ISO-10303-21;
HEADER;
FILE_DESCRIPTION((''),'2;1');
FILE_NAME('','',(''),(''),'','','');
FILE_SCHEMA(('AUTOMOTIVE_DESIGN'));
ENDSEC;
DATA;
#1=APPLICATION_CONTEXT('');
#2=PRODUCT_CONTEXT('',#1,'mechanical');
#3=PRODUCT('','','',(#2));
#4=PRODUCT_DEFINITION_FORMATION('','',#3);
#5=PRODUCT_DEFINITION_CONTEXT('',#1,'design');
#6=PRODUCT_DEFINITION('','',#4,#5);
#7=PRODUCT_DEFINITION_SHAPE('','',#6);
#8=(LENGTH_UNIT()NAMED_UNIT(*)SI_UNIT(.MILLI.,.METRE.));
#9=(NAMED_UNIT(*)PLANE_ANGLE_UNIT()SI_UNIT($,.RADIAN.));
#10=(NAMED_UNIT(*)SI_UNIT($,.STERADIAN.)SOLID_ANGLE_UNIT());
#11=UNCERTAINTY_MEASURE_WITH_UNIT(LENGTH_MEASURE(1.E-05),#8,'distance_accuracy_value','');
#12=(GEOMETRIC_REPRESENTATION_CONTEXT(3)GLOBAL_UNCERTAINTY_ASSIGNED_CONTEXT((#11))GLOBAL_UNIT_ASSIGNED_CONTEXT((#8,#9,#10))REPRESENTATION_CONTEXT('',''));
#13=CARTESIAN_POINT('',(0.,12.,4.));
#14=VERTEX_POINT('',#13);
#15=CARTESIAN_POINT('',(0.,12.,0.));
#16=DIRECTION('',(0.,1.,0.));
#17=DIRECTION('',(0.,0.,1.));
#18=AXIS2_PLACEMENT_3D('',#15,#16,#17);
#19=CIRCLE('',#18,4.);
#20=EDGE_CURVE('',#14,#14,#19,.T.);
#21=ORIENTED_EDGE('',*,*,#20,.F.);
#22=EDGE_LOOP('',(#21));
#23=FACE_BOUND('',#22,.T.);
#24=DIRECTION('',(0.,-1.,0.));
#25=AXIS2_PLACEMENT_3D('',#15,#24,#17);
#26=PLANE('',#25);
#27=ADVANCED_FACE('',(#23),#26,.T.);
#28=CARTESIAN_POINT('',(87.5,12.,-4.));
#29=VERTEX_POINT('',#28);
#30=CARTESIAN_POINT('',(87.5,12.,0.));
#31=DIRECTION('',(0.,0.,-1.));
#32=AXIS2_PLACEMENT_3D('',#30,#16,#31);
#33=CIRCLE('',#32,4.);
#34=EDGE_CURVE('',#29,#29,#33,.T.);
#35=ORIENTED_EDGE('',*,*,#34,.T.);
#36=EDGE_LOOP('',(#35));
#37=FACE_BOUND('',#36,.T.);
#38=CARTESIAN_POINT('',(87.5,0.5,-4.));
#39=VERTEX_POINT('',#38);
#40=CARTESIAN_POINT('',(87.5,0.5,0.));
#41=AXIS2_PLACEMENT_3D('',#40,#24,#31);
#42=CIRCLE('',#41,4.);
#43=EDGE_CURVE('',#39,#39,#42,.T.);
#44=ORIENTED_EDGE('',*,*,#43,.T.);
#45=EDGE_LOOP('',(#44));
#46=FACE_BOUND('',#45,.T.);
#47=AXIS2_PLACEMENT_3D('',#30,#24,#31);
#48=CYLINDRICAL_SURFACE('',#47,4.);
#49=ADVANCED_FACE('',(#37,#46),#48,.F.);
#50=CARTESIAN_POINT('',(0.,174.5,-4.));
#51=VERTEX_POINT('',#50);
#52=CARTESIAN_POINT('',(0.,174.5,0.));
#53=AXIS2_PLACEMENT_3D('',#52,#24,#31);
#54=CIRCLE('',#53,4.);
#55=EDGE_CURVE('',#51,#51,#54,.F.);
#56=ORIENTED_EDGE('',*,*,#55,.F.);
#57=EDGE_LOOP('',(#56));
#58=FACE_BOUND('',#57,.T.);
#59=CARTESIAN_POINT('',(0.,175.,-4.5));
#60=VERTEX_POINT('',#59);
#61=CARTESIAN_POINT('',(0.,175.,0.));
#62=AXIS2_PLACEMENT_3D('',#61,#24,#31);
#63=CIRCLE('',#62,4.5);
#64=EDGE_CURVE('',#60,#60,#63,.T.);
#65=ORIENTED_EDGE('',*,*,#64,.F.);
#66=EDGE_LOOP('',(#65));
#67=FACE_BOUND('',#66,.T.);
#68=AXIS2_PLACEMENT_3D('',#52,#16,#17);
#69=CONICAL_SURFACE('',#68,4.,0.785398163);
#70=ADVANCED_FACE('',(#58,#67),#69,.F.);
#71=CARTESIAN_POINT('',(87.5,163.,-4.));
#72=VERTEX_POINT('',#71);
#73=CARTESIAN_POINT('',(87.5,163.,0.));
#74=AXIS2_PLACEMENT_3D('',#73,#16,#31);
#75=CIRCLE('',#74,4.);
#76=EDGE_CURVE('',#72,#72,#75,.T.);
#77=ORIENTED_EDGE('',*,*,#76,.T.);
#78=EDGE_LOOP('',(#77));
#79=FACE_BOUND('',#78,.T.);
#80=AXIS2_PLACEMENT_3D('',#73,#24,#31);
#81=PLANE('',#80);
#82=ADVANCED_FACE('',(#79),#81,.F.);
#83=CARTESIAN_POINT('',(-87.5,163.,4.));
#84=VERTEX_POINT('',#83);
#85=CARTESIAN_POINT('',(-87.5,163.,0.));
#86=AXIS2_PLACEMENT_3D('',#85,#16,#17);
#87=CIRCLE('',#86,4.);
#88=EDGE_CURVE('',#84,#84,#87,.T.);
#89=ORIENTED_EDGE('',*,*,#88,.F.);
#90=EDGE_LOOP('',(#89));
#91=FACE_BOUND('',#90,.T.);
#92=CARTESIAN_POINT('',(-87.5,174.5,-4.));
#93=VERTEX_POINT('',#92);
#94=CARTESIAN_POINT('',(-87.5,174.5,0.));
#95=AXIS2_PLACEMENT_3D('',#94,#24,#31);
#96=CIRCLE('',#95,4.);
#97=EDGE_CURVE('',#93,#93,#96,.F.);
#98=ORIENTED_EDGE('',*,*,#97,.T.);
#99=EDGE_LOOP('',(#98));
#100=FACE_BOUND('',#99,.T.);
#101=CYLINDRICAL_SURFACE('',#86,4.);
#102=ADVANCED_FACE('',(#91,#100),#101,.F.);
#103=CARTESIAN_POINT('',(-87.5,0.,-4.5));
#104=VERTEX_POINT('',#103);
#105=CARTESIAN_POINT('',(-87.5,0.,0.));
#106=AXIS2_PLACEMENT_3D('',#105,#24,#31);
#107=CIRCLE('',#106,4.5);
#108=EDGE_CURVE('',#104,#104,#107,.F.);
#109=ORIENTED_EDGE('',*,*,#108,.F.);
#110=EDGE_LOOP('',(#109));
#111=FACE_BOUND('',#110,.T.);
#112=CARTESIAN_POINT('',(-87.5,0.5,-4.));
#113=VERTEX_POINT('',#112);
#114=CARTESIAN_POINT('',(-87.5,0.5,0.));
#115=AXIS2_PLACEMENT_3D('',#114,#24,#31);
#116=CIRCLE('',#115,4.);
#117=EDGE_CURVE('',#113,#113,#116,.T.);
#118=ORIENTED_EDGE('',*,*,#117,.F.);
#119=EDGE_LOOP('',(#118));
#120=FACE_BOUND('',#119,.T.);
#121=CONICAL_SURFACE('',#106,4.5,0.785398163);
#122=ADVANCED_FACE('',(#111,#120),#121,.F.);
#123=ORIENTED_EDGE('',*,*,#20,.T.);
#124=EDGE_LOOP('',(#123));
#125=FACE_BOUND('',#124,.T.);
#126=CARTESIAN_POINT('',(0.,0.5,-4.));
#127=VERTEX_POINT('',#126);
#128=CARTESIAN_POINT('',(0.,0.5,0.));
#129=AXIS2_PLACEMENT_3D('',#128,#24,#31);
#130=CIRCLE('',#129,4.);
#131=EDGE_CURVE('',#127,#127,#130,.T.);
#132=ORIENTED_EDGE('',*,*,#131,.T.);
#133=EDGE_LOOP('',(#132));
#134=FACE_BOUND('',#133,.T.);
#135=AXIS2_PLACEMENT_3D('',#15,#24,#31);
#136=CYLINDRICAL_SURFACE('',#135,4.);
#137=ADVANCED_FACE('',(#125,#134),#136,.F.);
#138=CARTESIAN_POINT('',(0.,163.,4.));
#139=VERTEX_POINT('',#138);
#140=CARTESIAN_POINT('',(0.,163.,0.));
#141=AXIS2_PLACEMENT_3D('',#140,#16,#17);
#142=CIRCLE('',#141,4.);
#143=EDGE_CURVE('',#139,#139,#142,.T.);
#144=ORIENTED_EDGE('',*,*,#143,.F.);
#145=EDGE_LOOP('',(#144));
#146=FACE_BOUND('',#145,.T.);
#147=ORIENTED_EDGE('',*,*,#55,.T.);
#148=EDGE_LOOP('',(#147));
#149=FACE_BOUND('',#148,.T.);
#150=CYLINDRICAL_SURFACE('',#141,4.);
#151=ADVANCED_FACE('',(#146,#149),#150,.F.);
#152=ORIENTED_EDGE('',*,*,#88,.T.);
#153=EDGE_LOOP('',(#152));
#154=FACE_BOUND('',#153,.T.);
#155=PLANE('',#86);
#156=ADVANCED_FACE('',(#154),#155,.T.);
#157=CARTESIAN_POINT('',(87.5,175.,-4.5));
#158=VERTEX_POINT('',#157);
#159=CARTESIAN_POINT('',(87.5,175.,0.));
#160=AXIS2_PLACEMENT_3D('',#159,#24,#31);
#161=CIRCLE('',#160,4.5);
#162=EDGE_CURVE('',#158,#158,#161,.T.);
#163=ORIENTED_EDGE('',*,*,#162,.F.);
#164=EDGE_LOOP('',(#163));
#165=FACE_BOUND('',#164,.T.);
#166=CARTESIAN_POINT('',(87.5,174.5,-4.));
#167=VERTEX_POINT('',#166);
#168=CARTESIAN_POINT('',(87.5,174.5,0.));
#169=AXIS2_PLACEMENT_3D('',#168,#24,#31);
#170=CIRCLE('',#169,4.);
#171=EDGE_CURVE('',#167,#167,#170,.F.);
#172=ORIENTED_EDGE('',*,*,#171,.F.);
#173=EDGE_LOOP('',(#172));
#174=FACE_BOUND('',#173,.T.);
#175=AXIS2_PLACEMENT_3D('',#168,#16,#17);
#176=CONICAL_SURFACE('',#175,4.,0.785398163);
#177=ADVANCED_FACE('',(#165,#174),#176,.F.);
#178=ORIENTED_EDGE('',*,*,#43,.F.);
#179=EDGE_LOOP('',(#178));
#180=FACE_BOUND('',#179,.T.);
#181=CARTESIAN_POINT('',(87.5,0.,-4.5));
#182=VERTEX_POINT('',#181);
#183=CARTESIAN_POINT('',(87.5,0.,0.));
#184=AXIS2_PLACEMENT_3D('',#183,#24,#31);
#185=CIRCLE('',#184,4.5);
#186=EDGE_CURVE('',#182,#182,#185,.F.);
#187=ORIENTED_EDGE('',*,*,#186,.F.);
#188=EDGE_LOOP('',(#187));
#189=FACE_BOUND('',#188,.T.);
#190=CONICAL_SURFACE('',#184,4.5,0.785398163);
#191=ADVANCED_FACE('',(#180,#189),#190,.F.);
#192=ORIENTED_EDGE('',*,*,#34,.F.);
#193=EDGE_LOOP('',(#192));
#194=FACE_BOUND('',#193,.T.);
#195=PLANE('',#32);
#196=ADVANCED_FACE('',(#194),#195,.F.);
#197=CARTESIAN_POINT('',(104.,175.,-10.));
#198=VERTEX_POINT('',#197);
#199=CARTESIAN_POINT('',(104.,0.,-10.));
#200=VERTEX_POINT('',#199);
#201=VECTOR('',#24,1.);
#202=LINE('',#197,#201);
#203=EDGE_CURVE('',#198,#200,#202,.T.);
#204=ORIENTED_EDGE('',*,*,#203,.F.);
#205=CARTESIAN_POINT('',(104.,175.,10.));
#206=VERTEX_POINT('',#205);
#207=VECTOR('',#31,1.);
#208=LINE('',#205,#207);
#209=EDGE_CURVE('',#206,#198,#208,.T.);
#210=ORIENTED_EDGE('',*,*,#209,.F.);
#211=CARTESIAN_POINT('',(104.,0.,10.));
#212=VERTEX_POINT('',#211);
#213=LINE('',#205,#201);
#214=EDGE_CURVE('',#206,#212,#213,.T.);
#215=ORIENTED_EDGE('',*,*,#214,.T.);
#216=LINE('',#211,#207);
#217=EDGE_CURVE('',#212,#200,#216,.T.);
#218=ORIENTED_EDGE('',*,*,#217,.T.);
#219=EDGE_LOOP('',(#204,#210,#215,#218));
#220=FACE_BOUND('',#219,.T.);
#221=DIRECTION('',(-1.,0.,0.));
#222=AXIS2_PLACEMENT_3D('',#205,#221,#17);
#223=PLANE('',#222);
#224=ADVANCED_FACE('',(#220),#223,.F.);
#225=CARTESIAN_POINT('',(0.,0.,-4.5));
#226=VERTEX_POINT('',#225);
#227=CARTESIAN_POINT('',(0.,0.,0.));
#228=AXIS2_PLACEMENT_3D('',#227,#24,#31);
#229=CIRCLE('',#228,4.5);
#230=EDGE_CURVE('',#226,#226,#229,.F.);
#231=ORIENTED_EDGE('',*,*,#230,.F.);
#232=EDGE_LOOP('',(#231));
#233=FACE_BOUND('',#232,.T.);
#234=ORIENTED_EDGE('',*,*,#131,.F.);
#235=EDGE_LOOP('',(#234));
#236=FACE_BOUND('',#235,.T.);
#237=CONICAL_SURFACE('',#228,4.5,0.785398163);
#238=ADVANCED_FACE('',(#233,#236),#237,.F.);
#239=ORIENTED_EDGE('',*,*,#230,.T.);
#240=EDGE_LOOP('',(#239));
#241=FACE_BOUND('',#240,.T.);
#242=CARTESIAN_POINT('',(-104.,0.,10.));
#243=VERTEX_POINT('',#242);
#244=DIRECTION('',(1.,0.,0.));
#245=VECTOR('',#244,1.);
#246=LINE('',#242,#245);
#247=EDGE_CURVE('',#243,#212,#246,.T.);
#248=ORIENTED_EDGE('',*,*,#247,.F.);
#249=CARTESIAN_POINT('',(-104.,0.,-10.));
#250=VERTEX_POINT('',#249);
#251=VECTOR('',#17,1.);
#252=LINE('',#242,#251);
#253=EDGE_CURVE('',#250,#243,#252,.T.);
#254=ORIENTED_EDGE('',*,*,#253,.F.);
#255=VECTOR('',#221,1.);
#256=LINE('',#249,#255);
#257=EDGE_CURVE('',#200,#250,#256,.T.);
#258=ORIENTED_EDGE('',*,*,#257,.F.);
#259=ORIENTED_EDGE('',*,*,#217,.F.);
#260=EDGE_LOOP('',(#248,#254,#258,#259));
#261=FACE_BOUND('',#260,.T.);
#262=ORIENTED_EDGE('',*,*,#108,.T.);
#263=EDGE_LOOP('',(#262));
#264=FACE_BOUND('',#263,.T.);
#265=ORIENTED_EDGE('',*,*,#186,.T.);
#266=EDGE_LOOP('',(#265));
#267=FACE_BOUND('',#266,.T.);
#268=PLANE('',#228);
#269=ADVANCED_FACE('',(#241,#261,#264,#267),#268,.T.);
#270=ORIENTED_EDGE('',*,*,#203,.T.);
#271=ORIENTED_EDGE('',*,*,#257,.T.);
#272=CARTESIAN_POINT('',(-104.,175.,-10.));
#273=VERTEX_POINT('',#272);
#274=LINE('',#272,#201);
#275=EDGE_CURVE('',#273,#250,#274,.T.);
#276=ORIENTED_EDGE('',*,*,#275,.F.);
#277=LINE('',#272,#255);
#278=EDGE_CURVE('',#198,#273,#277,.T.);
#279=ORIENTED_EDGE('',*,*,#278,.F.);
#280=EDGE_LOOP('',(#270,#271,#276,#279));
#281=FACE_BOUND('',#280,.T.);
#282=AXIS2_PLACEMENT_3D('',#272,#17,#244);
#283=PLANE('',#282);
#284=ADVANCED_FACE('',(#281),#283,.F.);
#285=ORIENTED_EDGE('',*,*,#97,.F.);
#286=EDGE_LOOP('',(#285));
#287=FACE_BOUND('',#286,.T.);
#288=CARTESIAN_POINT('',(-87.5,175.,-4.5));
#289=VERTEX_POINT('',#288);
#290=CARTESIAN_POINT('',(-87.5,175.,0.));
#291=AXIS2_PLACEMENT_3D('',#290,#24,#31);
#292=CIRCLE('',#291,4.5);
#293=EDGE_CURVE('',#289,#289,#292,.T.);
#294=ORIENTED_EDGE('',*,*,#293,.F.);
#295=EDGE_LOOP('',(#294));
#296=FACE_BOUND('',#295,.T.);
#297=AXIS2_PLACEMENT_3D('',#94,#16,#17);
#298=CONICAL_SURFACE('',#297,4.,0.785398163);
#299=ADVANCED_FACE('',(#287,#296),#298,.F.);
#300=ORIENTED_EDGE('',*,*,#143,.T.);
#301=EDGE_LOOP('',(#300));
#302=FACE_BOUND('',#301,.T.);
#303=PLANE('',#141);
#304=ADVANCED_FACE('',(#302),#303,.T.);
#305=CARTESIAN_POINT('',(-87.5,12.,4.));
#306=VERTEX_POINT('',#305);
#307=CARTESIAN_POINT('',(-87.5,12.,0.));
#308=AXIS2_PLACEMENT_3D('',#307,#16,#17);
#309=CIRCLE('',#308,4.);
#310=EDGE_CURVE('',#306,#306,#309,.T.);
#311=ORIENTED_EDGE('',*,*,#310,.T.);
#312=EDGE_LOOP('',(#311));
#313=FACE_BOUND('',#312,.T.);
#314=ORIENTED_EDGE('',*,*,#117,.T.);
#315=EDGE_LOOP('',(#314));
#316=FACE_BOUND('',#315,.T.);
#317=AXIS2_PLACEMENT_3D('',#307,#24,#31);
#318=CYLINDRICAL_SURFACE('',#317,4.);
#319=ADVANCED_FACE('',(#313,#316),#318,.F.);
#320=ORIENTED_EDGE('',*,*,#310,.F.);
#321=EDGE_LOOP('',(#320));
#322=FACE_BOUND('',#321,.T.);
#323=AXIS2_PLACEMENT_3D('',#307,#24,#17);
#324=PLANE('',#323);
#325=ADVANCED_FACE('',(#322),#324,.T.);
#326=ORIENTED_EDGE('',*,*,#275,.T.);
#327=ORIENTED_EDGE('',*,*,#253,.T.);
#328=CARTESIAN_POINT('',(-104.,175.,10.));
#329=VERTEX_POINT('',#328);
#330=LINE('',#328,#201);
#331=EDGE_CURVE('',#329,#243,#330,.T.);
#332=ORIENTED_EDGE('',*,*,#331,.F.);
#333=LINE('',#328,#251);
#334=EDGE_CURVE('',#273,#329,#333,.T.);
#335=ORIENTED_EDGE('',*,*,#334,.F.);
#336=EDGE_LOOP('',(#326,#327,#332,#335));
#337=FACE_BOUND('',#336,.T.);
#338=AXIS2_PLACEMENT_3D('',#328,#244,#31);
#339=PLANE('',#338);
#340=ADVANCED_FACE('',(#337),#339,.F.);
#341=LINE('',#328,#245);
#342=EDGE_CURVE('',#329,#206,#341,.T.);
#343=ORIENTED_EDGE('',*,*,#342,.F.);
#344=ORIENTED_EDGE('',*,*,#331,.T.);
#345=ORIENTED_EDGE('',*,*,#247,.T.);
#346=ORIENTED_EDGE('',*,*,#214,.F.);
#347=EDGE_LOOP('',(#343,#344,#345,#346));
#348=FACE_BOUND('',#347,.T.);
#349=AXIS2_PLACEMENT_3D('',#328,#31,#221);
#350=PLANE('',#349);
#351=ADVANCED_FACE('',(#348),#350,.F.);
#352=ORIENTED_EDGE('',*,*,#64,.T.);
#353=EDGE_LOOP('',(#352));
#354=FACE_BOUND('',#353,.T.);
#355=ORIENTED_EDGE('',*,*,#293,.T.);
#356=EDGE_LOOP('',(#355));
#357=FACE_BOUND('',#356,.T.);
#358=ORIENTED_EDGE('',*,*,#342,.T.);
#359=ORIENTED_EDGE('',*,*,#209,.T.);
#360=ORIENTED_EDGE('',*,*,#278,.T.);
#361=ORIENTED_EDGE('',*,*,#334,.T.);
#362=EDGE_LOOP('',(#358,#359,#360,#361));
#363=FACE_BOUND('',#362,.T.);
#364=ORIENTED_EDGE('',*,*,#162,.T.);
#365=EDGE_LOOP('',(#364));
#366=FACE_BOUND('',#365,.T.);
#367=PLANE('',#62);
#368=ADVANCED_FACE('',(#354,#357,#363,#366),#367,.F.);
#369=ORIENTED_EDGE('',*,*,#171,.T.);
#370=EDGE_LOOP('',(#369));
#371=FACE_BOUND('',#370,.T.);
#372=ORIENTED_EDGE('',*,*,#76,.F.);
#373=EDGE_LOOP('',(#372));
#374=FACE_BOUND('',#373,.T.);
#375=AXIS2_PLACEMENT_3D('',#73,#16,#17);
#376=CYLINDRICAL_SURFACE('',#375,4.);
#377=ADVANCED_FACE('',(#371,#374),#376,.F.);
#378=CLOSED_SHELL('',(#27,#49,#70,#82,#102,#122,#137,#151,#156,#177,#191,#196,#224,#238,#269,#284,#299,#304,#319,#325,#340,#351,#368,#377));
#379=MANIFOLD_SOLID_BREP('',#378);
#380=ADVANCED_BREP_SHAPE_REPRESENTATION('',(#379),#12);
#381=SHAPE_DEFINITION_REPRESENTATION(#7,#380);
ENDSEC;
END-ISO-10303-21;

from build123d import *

# Parameters (mm, degrees)
SKETCH1_W           = 208
SKETCH1_H           = 20
BOSS_EXTRUDE1_DEPTH = 175
SKETCH2_R           = 4
CUT_EXTRUDE1_DEPTH  = 12
CHAMFER1_SIZE       = 0.5


with BuildPart() as part:
    # Sketch1 → Boss-Extrude1 (new body)
    with BuildSketch(Plane(origin=(0, 0, -58), x_dir=(1, 0, 0), z_dir=(0, 1, 0))):
        with Locations((0, -58)):
            Rectangle(SKETCH1_W, SKETCH1_H)
    extrude(amount=BOSS_EXTRUDE1_DEPTH)

    # Sketch2 → Cut-Extrude1 (cut)
    with BuildSketch(Plane(origin=(0, 175, 0), x_dir=(1, 0, 0), z_dir=(0, 1, 0))):
        Circle(SKETCH2_R)
        with Locations((-87.5, 0)):
            Circle(SKETCH2_R)
        with Locations((87.5, 0)):
            Circle(SKETCH2_R)
    cut_extrude1 = extrude(amount=-CUT_EXTRUDE1_DEPTH, mode=Mode.SUBTRACT)

    # Mirror6: Cut-Extrude1 across plane
    add(cut_extrude1.mirror(Plane.ZX.offset(87.5)), mode=Mode.SUBTRACT)

    # Chamfer1
    chamfer1_edges = [part.edges().sort_by_distance(p)[0] for p in [
        (83.5, 175, 0),
        (-91.5, 175, 0),
        (-4, 175, 0),
        (83.5, 0, 0),
        (-91.5, 0, 0),
        (-4, 0, 0),
    ]]
    chamfer(chamfer1_edges, length=CHAMFER1_SIZE)


solid = part.part
